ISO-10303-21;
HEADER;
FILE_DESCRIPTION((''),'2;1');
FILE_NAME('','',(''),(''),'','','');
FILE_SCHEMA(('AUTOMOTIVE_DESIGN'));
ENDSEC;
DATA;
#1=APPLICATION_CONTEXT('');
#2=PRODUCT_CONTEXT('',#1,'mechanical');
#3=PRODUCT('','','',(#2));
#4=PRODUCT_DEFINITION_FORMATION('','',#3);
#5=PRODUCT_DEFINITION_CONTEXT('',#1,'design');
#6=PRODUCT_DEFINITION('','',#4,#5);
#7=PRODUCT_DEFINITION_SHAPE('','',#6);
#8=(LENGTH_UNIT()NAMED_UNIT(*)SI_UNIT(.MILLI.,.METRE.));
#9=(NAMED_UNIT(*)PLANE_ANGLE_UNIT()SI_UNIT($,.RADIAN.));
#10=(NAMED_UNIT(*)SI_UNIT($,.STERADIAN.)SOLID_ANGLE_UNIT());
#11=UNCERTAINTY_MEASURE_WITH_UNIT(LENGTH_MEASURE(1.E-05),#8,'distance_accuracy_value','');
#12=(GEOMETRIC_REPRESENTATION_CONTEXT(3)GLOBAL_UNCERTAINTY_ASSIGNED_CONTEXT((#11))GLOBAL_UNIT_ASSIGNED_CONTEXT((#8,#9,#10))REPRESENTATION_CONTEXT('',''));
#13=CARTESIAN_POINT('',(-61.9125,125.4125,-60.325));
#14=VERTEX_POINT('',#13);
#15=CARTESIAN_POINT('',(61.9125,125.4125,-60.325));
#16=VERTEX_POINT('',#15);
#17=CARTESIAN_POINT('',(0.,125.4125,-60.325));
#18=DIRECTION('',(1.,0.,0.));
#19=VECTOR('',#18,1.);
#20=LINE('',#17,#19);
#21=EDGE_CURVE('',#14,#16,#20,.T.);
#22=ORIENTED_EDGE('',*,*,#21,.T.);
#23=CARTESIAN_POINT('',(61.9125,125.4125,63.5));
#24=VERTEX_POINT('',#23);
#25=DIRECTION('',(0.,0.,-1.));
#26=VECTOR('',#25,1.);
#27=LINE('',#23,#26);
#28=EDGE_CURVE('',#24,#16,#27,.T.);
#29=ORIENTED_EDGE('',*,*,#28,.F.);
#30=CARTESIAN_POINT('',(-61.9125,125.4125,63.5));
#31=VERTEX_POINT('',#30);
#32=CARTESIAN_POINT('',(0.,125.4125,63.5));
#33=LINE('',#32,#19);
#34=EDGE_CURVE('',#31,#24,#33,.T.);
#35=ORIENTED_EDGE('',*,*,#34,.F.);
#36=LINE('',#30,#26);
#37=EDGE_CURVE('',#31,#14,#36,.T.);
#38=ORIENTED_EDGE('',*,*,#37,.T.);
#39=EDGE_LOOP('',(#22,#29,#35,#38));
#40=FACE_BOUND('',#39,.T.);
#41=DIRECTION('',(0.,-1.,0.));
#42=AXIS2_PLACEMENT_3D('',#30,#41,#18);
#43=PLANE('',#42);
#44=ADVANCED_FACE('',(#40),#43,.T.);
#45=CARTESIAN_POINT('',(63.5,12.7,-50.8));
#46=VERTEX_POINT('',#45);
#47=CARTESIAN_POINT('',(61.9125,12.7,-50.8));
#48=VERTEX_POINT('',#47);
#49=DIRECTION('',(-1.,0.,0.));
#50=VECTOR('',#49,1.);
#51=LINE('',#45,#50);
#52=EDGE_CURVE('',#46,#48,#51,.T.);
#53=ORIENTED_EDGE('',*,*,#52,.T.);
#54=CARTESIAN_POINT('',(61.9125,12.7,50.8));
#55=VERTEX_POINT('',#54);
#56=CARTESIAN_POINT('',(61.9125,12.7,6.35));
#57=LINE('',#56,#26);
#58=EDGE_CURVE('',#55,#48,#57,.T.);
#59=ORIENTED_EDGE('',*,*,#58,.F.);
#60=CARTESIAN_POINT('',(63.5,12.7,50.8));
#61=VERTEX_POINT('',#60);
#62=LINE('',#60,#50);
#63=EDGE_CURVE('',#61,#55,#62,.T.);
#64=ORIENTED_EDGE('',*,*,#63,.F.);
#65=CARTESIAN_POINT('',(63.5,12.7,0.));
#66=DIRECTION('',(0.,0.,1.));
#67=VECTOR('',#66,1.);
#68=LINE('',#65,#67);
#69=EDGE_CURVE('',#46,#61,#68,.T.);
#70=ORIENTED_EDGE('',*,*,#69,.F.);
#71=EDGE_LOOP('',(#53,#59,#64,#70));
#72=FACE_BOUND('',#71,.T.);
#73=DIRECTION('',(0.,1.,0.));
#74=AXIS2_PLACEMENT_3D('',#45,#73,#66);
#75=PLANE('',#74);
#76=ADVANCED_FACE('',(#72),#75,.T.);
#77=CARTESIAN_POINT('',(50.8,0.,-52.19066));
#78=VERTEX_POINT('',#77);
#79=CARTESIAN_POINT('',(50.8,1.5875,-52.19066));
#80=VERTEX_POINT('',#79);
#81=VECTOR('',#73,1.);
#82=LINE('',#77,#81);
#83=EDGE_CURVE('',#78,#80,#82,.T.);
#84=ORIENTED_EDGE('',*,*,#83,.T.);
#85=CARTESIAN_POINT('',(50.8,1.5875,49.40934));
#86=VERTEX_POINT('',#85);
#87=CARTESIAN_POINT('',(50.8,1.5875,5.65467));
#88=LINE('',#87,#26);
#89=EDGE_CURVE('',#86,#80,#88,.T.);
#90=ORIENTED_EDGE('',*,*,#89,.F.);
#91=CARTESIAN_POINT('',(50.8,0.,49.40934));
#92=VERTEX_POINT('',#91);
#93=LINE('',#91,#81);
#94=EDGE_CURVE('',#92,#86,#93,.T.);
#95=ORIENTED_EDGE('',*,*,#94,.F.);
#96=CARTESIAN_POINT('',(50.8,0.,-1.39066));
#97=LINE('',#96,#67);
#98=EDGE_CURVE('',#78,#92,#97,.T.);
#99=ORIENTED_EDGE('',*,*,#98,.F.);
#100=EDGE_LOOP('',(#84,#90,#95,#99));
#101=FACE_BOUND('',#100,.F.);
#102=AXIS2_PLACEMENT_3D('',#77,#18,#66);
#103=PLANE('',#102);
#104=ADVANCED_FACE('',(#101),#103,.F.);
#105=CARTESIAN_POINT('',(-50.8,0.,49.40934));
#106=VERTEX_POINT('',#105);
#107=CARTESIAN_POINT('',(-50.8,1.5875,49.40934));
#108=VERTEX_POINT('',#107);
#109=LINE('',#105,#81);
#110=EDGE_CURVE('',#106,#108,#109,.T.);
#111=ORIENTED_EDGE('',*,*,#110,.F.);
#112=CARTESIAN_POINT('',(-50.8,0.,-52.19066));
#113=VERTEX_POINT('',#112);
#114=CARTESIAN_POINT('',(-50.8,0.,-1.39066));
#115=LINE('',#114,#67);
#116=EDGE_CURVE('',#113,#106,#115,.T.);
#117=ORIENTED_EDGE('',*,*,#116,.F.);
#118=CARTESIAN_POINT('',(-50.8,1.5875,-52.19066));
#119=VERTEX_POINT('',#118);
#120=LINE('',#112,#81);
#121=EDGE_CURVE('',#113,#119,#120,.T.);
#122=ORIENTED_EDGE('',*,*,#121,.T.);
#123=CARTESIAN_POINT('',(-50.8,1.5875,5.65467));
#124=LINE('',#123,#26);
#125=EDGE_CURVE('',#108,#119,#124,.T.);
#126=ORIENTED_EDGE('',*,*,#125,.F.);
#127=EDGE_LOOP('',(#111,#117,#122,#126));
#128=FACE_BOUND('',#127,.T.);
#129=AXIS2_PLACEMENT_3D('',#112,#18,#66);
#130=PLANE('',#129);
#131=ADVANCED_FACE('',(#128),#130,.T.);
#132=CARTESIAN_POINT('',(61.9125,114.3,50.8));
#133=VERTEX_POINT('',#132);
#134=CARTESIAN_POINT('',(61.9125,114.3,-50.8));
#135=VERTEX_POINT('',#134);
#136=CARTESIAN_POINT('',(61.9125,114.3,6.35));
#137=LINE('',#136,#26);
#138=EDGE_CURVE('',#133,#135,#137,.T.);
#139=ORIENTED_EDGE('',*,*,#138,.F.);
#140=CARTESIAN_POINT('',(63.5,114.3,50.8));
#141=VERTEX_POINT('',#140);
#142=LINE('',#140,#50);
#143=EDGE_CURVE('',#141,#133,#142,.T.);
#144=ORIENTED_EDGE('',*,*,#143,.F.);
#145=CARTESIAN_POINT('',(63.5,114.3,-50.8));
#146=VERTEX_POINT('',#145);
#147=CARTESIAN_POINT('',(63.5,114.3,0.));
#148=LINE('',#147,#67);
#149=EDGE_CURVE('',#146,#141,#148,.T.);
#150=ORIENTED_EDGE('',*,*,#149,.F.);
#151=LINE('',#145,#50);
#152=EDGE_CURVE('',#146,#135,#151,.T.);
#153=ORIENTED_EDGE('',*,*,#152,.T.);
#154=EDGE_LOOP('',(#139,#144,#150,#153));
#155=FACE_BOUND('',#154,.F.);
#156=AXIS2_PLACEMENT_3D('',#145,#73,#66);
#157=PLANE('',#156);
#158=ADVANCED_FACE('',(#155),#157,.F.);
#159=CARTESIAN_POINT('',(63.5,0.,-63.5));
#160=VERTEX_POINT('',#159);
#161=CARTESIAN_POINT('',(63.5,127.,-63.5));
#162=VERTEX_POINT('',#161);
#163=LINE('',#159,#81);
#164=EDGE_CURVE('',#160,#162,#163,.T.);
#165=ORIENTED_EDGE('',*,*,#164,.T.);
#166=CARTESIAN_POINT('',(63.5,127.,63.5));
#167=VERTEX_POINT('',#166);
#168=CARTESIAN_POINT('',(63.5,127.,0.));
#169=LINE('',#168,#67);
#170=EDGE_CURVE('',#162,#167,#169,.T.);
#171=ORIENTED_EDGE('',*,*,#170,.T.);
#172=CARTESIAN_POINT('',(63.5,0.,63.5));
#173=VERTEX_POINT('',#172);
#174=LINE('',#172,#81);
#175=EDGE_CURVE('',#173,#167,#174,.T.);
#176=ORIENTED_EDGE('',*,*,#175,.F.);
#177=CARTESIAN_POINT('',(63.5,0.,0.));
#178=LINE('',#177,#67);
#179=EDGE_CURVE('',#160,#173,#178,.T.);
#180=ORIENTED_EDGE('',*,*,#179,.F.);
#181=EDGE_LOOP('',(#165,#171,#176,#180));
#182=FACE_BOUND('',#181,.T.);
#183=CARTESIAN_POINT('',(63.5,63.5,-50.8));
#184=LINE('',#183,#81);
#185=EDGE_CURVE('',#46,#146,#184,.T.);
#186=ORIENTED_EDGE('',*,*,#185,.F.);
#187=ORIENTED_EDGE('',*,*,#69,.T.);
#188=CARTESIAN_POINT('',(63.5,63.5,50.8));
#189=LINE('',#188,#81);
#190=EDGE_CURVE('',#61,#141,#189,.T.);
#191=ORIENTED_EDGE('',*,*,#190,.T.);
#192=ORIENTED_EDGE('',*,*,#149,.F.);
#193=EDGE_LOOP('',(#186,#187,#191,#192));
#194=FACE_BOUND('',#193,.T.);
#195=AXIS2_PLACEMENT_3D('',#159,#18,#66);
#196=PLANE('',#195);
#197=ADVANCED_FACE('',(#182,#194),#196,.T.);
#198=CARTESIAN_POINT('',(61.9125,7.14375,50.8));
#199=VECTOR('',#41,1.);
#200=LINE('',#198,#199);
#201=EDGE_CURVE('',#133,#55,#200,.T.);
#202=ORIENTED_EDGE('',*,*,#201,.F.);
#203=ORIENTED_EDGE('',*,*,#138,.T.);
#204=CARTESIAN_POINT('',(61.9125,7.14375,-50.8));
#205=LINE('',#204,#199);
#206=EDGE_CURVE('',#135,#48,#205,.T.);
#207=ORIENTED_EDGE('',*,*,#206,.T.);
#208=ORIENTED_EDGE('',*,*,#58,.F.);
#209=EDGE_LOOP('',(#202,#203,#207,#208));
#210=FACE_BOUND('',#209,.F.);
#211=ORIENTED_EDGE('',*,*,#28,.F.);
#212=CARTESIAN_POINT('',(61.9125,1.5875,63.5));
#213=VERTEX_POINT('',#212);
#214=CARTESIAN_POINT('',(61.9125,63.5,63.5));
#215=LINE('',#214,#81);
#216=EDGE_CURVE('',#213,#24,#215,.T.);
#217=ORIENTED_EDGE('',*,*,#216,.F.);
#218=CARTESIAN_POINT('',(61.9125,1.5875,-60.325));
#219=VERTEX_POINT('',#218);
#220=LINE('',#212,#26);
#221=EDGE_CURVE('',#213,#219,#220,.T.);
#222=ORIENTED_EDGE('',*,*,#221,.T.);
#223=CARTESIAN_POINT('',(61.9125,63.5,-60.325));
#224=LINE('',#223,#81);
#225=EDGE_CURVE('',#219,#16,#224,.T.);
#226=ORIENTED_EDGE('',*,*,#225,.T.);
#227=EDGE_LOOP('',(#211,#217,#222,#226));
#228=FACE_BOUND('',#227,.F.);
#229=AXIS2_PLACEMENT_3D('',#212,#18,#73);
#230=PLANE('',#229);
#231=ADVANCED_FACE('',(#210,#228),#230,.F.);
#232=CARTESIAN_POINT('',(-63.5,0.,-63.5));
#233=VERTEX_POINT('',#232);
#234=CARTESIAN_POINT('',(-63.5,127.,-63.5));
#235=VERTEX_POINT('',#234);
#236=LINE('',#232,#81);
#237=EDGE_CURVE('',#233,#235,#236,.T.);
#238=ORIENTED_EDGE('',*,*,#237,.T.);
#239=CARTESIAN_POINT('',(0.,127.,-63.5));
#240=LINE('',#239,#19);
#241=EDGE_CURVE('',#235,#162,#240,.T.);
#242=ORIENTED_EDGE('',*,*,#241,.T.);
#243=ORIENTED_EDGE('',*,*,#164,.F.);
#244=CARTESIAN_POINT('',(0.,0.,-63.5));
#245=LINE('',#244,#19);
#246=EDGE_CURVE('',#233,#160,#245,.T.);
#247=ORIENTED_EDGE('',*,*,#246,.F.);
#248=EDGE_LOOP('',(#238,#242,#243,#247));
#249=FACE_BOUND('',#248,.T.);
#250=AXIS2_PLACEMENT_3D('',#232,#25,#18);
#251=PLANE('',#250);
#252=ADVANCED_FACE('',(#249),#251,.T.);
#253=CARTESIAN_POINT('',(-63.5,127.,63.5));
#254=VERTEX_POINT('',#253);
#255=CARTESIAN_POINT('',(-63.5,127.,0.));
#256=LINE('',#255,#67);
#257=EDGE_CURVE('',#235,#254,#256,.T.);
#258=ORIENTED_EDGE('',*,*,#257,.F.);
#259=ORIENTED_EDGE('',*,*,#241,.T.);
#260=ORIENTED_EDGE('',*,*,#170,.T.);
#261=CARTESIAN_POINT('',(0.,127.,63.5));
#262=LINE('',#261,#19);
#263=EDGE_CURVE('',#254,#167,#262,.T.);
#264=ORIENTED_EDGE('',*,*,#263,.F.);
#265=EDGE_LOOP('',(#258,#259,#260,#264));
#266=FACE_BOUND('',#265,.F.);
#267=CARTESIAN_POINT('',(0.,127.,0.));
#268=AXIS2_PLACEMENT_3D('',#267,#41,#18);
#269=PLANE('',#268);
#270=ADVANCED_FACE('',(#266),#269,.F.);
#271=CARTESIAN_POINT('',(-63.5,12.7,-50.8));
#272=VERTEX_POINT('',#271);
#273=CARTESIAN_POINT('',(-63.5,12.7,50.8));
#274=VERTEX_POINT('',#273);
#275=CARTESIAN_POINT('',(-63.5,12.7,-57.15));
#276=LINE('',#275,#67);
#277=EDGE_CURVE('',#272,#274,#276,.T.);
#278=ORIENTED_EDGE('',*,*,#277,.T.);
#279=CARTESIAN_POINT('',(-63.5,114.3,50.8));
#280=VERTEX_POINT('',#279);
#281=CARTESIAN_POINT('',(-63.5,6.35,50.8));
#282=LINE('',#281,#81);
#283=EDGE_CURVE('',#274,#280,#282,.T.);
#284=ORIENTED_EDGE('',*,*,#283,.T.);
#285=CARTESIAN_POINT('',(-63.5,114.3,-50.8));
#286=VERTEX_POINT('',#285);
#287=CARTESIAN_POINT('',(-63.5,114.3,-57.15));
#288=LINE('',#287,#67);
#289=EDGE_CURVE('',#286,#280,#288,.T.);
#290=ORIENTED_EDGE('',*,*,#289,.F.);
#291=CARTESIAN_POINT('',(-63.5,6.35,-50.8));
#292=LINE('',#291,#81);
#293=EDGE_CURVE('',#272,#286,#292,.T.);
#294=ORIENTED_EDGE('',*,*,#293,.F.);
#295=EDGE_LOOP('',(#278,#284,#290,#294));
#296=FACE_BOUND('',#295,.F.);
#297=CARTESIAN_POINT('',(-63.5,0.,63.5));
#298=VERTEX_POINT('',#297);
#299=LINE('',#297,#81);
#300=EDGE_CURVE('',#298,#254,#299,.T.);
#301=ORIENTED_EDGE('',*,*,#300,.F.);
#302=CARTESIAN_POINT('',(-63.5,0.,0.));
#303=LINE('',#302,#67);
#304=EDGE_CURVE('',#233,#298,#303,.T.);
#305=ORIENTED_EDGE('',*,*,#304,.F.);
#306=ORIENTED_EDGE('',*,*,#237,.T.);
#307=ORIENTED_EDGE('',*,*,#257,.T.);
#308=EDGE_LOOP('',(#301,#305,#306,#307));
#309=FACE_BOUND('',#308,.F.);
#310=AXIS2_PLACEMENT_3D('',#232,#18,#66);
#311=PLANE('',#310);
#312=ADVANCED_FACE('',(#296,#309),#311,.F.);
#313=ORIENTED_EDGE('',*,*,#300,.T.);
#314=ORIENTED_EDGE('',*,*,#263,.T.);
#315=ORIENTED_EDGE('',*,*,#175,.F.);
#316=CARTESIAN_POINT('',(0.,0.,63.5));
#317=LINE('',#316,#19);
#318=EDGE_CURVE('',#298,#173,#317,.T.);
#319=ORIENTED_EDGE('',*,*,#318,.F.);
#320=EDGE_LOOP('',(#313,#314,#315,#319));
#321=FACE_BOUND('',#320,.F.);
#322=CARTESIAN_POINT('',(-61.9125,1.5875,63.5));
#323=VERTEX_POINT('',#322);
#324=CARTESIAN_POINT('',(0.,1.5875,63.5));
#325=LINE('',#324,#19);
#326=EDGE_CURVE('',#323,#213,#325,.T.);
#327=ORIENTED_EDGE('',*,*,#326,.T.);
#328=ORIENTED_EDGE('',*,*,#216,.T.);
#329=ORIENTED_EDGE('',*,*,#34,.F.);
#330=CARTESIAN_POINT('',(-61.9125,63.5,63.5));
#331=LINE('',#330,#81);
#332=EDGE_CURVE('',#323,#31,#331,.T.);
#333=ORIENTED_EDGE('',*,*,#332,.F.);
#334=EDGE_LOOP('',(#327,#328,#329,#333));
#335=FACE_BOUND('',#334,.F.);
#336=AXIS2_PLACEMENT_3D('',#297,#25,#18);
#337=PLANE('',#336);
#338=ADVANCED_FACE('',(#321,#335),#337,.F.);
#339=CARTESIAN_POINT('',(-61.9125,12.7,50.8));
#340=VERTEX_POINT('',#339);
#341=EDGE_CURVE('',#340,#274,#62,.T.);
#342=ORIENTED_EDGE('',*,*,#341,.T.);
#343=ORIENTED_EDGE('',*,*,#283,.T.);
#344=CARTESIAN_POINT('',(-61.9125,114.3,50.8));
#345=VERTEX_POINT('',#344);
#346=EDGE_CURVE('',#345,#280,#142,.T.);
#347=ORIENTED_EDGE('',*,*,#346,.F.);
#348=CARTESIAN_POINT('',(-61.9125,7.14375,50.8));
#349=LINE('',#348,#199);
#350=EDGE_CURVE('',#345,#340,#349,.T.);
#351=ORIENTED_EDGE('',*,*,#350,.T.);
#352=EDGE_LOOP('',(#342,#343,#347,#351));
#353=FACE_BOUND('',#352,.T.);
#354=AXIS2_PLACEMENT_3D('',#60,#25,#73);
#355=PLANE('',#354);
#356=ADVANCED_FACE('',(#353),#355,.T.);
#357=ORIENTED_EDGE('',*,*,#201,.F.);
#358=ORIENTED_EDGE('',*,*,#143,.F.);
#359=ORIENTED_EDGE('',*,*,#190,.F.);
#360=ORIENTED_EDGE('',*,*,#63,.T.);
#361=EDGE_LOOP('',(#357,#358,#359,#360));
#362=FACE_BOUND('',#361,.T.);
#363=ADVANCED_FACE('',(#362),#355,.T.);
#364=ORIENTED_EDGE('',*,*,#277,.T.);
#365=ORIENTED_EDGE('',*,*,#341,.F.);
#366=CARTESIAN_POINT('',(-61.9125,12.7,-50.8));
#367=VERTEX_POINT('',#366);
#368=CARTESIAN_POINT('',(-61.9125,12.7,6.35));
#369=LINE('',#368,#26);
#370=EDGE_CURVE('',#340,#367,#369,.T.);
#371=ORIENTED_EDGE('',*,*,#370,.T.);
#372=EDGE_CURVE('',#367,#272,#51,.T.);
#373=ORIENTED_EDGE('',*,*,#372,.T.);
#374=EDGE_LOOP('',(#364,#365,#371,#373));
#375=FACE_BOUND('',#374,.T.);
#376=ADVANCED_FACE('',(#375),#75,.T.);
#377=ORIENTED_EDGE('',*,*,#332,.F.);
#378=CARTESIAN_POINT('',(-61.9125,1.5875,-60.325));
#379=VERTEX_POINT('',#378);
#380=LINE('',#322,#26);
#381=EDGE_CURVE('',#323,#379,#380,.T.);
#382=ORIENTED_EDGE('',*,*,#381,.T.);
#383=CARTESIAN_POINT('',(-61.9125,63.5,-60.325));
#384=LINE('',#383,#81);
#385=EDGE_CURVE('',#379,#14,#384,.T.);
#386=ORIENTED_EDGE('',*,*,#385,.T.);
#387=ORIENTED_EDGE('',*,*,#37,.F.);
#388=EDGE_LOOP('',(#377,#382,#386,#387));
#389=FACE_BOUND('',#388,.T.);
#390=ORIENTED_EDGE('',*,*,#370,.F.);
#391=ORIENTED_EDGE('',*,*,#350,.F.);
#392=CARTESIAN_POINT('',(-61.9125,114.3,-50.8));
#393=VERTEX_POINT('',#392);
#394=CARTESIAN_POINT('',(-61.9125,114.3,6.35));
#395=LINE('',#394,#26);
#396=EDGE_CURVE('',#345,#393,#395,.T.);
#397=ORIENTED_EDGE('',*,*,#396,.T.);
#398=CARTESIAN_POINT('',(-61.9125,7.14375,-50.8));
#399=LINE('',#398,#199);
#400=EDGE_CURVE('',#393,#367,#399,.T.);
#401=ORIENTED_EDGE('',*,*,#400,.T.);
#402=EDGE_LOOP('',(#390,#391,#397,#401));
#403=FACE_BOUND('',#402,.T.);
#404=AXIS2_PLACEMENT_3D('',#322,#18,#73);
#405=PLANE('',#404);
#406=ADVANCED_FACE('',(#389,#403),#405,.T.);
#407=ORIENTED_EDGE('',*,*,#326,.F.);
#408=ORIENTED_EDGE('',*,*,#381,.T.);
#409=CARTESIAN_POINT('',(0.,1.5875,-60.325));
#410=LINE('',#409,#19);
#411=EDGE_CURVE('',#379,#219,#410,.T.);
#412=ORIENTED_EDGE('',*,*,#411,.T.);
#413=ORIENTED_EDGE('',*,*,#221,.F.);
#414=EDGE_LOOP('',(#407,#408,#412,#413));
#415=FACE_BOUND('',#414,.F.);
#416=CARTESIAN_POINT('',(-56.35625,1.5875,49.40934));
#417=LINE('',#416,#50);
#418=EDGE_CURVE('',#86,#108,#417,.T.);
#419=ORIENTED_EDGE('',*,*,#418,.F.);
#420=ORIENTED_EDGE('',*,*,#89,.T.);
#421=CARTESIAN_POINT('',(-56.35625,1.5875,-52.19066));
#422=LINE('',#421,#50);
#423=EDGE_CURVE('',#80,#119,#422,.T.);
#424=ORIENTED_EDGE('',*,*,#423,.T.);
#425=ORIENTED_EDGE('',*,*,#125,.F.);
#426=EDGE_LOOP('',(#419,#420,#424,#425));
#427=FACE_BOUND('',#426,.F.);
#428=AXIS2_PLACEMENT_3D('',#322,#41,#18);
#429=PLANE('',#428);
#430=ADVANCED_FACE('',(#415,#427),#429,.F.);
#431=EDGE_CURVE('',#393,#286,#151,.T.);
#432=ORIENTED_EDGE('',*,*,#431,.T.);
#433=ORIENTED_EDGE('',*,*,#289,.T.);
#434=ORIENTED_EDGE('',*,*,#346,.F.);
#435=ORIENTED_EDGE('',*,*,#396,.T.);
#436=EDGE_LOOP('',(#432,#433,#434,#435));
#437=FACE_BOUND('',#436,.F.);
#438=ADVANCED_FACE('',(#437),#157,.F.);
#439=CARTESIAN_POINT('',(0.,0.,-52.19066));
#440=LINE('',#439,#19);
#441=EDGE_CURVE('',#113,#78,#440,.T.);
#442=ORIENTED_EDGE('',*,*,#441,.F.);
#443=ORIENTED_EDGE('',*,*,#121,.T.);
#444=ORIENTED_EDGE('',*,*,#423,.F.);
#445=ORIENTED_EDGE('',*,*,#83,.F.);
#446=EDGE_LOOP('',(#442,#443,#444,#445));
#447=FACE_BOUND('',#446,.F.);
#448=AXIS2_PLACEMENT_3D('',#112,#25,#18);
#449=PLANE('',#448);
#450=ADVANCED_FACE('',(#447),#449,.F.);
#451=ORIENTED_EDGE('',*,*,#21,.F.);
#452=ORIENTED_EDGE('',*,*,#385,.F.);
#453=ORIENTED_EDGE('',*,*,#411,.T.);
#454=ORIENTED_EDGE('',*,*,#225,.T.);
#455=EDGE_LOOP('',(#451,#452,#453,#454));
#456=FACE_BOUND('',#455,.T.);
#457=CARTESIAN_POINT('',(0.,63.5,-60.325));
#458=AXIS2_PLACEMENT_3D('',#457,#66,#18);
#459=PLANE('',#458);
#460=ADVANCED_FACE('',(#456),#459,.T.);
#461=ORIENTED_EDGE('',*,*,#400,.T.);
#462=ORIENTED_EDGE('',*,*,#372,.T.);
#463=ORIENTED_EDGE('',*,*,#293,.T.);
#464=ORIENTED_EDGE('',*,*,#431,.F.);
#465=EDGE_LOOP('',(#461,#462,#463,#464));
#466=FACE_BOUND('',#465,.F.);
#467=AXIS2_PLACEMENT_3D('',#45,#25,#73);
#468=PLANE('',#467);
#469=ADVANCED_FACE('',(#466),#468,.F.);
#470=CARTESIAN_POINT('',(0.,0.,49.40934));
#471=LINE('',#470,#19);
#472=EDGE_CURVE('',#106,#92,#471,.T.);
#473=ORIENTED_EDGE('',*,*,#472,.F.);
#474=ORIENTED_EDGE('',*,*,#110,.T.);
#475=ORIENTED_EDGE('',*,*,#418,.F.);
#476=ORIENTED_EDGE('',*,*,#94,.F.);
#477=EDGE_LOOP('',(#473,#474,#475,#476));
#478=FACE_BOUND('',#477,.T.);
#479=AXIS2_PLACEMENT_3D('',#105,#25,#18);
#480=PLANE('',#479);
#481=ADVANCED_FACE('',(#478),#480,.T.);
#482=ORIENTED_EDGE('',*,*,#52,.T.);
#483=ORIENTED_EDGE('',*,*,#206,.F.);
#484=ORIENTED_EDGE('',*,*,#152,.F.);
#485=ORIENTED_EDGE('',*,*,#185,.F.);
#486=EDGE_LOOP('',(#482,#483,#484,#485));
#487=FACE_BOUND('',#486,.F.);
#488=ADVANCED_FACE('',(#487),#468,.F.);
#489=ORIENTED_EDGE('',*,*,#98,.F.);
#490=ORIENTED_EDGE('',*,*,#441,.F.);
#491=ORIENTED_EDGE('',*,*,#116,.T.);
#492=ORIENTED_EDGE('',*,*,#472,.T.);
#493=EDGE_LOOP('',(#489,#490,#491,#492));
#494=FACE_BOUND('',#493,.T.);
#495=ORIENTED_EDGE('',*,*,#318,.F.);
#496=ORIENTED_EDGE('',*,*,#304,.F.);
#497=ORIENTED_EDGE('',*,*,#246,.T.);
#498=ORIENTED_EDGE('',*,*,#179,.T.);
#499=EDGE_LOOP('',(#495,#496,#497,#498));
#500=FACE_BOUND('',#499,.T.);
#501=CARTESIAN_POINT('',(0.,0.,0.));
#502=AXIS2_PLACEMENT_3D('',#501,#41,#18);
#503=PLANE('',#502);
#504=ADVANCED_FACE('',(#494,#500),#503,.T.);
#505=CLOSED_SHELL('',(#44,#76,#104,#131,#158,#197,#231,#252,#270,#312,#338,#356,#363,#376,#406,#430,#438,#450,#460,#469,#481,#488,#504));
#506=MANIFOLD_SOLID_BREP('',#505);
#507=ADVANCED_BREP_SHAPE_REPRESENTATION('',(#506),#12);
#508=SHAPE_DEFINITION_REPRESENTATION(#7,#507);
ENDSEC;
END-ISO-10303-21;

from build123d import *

# Parameters (mm, degrees)
F0_W     = 127
F0_H     = 127
F1_DEPTH = 127
F2_W     = 101.6
F2_H     = 101.6
F3_DEPTH = 123.825
F4_W     = 101.6
F4_H     = 101.6
F5_DEPTH = 127.001
F6_W     = 123.825
F6_H     = 123.825
F7_DEPTH = 123.825


with BuildPart() as f1:
    # F0 (on Front) → F1 (new body)
    with BuildSketch(Plane.XZ):
        Rectangle(F0_W, F0_H)
    extrude(amount=-F1_DEPTH)

    # F2 (on face) → F3 (cut)
    with BuildSketch(Plane.XZ):
        with Locations((0, -1.39066)):
            Rectangle(F2_W, F2_H)
    extrude(amount=-F3_DEPTH, mode=Mode.SUBTRACT)

    # F4 (on face) → F5 (cut, through all)
    with BuildSketch(Plane.YZ.offset(63.5)):
        with Locations((63.5, 0)):
            Rectangle(F4_W, F4_H)
    extrude(amount=-F5_DEPTH, mode=Mode.SUBTRACT)

    # F6 (on face) → F7 (cut)
    with BuildSketch(Plane.XY.offset(63.5)):
        with Locations((0, 63.5)):
            Rectangle(F6_W, F6_H)
    extrude(amount=-F7_DEPTH, mode=Mode.SUBTRACT)


solid = f1.part
